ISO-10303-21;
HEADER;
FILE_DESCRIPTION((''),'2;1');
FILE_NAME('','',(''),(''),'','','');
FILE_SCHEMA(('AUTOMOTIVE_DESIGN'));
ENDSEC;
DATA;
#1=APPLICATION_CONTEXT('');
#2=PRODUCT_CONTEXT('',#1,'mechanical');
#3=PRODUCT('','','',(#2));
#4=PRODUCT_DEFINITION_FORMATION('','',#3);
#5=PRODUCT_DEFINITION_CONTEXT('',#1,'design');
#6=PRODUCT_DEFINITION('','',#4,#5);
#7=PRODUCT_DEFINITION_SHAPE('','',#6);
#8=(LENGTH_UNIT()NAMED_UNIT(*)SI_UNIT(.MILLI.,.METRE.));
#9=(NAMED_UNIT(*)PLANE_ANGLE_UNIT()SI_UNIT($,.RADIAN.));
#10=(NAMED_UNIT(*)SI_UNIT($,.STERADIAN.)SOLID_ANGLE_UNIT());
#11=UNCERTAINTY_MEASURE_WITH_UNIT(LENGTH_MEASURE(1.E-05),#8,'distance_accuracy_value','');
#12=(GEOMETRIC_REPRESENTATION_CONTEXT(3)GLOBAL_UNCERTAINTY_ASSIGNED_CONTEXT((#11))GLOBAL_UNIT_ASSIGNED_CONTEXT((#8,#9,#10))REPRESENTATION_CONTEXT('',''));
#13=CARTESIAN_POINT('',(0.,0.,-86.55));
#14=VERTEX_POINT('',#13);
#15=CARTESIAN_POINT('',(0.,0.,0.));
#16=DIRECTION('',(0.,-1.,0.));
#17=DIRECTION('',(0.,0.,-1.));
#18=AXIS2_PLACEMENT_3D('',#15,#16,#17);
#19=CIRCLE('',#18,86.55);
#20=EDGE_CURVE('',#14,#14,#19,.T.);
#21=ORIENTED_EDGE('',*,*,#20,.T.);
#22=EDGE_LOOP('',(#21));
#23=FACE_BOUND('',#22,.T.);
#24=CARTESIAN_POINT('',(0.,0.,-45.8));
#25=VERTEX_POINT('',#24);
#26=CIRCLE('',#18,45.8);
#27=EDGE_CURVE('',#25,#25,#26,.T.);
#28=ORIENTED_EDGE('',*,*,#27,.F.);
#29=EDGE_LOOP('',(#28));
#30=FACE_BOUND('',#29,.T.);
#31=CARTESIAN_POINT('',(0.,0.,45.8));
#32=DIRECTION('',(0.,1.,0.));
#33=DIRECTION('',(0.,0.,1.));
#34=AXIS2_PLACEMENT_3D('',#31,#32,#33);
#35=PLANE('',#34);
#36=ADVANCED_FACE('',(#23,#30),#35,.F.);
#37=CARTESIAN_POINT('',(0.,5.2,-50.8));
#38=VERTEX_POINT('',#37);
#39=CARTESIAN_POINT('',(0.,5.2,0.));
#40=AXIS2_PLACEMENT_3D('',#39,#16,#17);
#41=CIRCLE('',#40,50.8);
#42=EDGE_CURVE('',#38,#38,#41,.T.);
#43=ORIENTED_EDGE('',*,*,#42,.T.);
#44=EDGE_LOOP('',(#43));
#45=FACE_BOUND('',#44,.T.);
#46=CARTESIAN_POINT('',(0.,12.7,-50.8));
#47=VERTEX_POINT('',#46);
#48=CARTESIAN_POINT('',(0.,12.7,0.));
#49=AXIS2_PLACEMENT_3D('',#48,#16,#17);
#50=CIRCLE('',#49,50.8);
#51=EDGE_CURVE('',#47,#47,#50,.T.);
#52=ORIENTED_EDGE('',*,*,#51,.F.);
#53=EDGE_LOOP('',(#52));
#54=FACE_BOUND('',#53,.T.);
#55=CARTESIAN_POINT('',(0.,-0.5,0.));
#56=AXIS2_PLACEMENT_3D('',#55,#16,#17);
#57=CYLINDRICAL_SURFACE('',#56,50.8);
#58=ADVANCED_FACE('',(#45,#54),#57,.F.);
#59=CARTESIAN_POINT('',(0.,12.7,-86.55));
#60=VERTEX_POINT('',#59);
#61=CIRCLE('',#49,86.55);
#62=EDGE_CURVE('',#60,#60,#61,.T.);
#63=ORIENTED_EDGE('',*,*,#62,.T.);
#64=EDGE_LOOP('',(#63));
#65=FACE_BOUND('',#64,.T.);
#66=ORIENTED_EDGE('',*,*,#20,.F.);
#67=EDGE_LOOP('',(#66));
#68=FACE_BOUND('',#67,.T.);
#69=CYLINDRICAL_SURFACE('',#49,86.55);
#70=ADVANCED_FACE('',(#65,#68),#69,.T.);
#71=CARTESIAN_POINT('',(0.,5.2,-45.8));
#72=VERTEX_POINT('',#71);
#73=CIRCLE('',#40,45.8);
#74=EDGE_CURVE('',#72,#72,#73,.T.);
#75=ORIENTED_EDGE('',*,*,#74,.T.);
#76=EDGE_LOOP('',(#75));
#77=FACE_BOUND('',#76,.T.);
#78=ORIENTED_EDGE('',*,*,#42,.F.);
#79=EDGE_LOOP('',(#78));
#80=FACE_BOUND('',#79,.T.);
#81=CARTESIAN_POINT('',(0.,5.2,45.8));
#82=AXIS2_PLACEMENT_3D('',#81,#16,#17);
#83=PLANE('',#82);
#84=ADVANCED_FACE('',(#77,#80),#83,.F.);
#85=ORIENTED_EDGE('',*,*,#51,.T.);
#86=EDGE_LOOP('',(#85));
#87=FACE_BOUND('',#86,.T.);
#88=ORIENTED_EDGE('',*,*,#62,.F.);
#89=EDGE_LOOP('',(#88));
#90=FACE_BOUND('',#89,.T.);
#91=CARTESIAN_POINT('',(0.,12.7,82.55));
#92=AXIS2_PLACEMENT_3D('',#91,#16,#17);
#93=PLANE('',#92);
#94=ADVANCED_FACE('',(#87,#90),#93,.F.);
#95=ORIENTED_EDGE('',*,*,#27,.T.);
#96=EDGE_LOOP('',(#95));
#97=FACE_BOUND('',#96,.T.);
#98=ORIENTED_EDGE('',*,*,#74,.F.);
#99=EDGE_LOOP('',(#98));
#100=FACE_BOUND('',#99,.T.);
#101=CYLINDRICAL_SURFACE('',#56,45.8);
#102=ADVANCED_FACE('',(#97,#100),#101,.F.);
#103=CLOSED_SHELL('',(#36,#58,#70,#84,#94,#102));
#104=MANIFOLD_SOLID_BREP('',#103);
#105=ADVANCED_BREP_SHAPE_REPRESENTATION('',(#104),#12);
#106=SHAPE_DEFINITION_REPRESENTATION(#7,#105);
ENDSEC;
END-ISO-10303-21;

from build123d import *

# Parameters (mm, degrees)
SKETCH15_R          = 86.55
SKETCH15_R_2        = 82.55
BOSS_EXTRUDE2_DEPTH = 12.7


with BuildPart() as part:
    # Sketch2 → Revolve1 (revolve)
    with BuildSketch(Plane(origin=(0, 0, 0), x_dir=(0, 0, -1), z_dir=(1, 0, 0))):
        Polygon((-45.8, 0), (-82.55, 0), (-82.55, 12.7), (-50.8, 12.7), (-50.8, 5.2), (-45.8, 5.2), align=None)
    revolve(axis=Axis((0, -0.5, 0), (0, 1, 0)))

    # Sketch15 → Boss-Extrude2 (add)
    with BuildSketch(Plane.XZ):
        Circle(SKETCH15_R)
        Circle(SKETCH15_R_2, mode=Mode.SUBTRACT)
    extrude(amount=-BOSS_EXTRUDE2_DEPTH)


solid = part.part
